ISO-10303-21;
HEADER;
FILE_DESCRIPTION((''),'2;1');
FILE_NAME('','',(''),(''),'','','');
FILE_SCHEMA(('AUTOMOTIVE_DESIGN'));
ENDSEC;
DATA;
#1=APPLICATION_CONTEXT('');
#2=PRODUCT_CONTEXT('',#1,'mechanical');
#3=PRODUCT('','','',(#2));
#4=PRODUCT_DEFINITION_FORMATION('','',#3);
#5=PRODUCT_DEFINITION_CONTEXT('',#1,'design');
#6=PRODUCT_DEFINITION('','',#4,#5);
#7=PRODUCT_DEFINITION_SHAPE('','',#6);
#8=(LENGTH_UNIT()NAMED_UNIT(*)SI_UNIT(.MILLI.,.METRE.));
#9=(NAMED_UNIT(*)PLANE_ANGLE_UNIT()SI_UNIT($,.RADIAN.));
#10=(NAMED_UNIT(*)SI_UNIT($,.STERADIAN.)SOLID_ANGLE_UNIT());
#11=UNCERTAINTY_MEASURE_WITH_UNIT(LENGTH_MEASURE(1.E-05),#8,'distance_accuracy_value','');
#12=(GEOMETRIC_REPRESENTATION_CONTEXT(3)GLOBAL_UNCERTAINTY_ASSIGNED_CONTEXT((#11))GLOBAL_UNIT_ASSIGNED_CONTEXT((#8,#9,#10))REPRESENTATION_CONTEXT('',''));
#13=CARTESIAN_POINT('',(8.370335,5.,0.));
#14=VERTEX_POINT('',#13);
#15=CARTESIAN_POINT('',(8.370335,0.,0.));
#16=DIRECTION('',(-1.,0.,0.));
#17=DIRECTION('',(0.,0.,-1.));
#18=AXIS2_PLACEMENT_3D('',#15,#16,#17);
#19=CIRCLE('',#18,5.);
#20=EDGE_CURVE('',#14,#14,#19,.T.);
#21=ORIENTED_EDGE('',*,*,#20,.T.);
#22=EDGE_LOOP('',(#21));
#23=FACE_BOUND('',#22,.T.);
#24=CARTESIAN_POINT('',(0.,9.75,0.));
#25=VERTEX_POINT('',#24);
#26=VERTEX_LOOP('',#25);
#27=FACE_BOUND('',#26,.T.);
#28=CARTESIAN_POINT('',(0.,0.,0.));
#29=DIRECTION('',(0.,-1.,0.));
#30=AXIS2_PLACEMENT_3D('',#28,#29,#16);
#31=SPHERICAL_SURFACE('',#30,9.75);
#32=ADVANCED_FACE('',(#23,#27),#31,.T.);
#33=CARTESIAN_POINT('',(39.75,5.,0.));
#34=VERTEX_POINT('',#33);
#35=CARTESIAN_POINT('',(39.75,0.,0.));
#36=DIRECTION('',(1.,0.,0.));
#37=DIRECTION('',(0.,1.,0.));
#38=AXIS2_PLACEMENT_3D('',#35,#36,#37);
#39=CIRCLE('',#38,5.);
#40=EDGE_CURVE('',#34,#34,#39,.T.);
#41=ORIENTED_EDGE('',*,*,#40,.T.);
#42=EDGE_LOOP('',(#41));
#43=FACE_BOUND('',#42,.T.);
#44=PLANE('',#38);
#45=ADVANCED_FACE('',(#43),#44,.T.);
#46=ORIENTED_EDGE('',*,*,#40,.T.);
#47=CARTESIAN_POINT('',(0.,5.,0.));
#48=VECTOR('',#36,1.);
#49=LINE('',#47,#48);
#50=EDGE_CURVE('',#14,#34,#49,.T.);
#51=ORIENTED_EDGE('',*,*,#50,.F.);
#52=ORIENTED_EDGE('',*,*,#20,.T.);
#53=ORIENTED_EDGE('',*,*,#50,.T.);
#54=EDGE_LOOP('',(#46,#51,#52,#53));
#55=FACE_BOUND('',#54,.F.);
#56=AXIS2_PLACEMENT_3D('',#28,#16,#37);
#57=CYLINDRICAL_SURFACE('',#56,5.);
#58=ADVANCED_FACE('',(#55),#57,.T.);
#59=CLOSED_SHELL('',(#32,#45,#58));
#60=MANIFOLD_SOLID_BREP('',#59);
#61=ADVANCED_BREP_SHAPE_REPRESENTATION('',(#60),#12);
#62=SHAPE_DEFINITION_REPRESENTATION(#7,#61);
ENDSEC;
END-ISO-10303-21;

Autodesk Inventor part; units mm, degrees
ref_plane "YZ Plane" through (0, 0, 0) normal (1, 0, 0) x (0, 1, 0)
ref_plane "XZ Plane" through (0, 0, 0) normal (0, 1, 0) x (-1, 0, 0)
ref_plane "XY Plane" through (0, 0, 0) normal (0, 0, 1) x (1, 0, 0)
sketch "Sketch1" plane through (0, 0, 0) normal (0, 0, 1) x (1, 0, 0)
  circle A0 centre (0, 0) radius 9.75
  line L0 (0, 14.1829) -> (0, -13.1514)
  point P0 (0, -9.75)
  point P1 (0, 9.75)
  dimension "d0" = 19.5
revolve "Revolution1" add sketch "Sketch1" angle 360 about axis through (0, 14.1829, 0) along (0, -1, 0) picked at (-2.6747, -1.8462) contours L0 A0
sketch "Sketch2" plane through (0, 0, 0) normal (1, 0, 0) x (0, 1, 0)
  circle A0 centre (0, 0) radius 5
  dimension "d2" = 10
extrude "Extrusion1" add sketch "Sketch2" along normal blind 39.75
thread "Thread1" size "M10x1.5" class "6g" standard "ANSI Metric M Profile" full length
properties material "Stainless Steel"
